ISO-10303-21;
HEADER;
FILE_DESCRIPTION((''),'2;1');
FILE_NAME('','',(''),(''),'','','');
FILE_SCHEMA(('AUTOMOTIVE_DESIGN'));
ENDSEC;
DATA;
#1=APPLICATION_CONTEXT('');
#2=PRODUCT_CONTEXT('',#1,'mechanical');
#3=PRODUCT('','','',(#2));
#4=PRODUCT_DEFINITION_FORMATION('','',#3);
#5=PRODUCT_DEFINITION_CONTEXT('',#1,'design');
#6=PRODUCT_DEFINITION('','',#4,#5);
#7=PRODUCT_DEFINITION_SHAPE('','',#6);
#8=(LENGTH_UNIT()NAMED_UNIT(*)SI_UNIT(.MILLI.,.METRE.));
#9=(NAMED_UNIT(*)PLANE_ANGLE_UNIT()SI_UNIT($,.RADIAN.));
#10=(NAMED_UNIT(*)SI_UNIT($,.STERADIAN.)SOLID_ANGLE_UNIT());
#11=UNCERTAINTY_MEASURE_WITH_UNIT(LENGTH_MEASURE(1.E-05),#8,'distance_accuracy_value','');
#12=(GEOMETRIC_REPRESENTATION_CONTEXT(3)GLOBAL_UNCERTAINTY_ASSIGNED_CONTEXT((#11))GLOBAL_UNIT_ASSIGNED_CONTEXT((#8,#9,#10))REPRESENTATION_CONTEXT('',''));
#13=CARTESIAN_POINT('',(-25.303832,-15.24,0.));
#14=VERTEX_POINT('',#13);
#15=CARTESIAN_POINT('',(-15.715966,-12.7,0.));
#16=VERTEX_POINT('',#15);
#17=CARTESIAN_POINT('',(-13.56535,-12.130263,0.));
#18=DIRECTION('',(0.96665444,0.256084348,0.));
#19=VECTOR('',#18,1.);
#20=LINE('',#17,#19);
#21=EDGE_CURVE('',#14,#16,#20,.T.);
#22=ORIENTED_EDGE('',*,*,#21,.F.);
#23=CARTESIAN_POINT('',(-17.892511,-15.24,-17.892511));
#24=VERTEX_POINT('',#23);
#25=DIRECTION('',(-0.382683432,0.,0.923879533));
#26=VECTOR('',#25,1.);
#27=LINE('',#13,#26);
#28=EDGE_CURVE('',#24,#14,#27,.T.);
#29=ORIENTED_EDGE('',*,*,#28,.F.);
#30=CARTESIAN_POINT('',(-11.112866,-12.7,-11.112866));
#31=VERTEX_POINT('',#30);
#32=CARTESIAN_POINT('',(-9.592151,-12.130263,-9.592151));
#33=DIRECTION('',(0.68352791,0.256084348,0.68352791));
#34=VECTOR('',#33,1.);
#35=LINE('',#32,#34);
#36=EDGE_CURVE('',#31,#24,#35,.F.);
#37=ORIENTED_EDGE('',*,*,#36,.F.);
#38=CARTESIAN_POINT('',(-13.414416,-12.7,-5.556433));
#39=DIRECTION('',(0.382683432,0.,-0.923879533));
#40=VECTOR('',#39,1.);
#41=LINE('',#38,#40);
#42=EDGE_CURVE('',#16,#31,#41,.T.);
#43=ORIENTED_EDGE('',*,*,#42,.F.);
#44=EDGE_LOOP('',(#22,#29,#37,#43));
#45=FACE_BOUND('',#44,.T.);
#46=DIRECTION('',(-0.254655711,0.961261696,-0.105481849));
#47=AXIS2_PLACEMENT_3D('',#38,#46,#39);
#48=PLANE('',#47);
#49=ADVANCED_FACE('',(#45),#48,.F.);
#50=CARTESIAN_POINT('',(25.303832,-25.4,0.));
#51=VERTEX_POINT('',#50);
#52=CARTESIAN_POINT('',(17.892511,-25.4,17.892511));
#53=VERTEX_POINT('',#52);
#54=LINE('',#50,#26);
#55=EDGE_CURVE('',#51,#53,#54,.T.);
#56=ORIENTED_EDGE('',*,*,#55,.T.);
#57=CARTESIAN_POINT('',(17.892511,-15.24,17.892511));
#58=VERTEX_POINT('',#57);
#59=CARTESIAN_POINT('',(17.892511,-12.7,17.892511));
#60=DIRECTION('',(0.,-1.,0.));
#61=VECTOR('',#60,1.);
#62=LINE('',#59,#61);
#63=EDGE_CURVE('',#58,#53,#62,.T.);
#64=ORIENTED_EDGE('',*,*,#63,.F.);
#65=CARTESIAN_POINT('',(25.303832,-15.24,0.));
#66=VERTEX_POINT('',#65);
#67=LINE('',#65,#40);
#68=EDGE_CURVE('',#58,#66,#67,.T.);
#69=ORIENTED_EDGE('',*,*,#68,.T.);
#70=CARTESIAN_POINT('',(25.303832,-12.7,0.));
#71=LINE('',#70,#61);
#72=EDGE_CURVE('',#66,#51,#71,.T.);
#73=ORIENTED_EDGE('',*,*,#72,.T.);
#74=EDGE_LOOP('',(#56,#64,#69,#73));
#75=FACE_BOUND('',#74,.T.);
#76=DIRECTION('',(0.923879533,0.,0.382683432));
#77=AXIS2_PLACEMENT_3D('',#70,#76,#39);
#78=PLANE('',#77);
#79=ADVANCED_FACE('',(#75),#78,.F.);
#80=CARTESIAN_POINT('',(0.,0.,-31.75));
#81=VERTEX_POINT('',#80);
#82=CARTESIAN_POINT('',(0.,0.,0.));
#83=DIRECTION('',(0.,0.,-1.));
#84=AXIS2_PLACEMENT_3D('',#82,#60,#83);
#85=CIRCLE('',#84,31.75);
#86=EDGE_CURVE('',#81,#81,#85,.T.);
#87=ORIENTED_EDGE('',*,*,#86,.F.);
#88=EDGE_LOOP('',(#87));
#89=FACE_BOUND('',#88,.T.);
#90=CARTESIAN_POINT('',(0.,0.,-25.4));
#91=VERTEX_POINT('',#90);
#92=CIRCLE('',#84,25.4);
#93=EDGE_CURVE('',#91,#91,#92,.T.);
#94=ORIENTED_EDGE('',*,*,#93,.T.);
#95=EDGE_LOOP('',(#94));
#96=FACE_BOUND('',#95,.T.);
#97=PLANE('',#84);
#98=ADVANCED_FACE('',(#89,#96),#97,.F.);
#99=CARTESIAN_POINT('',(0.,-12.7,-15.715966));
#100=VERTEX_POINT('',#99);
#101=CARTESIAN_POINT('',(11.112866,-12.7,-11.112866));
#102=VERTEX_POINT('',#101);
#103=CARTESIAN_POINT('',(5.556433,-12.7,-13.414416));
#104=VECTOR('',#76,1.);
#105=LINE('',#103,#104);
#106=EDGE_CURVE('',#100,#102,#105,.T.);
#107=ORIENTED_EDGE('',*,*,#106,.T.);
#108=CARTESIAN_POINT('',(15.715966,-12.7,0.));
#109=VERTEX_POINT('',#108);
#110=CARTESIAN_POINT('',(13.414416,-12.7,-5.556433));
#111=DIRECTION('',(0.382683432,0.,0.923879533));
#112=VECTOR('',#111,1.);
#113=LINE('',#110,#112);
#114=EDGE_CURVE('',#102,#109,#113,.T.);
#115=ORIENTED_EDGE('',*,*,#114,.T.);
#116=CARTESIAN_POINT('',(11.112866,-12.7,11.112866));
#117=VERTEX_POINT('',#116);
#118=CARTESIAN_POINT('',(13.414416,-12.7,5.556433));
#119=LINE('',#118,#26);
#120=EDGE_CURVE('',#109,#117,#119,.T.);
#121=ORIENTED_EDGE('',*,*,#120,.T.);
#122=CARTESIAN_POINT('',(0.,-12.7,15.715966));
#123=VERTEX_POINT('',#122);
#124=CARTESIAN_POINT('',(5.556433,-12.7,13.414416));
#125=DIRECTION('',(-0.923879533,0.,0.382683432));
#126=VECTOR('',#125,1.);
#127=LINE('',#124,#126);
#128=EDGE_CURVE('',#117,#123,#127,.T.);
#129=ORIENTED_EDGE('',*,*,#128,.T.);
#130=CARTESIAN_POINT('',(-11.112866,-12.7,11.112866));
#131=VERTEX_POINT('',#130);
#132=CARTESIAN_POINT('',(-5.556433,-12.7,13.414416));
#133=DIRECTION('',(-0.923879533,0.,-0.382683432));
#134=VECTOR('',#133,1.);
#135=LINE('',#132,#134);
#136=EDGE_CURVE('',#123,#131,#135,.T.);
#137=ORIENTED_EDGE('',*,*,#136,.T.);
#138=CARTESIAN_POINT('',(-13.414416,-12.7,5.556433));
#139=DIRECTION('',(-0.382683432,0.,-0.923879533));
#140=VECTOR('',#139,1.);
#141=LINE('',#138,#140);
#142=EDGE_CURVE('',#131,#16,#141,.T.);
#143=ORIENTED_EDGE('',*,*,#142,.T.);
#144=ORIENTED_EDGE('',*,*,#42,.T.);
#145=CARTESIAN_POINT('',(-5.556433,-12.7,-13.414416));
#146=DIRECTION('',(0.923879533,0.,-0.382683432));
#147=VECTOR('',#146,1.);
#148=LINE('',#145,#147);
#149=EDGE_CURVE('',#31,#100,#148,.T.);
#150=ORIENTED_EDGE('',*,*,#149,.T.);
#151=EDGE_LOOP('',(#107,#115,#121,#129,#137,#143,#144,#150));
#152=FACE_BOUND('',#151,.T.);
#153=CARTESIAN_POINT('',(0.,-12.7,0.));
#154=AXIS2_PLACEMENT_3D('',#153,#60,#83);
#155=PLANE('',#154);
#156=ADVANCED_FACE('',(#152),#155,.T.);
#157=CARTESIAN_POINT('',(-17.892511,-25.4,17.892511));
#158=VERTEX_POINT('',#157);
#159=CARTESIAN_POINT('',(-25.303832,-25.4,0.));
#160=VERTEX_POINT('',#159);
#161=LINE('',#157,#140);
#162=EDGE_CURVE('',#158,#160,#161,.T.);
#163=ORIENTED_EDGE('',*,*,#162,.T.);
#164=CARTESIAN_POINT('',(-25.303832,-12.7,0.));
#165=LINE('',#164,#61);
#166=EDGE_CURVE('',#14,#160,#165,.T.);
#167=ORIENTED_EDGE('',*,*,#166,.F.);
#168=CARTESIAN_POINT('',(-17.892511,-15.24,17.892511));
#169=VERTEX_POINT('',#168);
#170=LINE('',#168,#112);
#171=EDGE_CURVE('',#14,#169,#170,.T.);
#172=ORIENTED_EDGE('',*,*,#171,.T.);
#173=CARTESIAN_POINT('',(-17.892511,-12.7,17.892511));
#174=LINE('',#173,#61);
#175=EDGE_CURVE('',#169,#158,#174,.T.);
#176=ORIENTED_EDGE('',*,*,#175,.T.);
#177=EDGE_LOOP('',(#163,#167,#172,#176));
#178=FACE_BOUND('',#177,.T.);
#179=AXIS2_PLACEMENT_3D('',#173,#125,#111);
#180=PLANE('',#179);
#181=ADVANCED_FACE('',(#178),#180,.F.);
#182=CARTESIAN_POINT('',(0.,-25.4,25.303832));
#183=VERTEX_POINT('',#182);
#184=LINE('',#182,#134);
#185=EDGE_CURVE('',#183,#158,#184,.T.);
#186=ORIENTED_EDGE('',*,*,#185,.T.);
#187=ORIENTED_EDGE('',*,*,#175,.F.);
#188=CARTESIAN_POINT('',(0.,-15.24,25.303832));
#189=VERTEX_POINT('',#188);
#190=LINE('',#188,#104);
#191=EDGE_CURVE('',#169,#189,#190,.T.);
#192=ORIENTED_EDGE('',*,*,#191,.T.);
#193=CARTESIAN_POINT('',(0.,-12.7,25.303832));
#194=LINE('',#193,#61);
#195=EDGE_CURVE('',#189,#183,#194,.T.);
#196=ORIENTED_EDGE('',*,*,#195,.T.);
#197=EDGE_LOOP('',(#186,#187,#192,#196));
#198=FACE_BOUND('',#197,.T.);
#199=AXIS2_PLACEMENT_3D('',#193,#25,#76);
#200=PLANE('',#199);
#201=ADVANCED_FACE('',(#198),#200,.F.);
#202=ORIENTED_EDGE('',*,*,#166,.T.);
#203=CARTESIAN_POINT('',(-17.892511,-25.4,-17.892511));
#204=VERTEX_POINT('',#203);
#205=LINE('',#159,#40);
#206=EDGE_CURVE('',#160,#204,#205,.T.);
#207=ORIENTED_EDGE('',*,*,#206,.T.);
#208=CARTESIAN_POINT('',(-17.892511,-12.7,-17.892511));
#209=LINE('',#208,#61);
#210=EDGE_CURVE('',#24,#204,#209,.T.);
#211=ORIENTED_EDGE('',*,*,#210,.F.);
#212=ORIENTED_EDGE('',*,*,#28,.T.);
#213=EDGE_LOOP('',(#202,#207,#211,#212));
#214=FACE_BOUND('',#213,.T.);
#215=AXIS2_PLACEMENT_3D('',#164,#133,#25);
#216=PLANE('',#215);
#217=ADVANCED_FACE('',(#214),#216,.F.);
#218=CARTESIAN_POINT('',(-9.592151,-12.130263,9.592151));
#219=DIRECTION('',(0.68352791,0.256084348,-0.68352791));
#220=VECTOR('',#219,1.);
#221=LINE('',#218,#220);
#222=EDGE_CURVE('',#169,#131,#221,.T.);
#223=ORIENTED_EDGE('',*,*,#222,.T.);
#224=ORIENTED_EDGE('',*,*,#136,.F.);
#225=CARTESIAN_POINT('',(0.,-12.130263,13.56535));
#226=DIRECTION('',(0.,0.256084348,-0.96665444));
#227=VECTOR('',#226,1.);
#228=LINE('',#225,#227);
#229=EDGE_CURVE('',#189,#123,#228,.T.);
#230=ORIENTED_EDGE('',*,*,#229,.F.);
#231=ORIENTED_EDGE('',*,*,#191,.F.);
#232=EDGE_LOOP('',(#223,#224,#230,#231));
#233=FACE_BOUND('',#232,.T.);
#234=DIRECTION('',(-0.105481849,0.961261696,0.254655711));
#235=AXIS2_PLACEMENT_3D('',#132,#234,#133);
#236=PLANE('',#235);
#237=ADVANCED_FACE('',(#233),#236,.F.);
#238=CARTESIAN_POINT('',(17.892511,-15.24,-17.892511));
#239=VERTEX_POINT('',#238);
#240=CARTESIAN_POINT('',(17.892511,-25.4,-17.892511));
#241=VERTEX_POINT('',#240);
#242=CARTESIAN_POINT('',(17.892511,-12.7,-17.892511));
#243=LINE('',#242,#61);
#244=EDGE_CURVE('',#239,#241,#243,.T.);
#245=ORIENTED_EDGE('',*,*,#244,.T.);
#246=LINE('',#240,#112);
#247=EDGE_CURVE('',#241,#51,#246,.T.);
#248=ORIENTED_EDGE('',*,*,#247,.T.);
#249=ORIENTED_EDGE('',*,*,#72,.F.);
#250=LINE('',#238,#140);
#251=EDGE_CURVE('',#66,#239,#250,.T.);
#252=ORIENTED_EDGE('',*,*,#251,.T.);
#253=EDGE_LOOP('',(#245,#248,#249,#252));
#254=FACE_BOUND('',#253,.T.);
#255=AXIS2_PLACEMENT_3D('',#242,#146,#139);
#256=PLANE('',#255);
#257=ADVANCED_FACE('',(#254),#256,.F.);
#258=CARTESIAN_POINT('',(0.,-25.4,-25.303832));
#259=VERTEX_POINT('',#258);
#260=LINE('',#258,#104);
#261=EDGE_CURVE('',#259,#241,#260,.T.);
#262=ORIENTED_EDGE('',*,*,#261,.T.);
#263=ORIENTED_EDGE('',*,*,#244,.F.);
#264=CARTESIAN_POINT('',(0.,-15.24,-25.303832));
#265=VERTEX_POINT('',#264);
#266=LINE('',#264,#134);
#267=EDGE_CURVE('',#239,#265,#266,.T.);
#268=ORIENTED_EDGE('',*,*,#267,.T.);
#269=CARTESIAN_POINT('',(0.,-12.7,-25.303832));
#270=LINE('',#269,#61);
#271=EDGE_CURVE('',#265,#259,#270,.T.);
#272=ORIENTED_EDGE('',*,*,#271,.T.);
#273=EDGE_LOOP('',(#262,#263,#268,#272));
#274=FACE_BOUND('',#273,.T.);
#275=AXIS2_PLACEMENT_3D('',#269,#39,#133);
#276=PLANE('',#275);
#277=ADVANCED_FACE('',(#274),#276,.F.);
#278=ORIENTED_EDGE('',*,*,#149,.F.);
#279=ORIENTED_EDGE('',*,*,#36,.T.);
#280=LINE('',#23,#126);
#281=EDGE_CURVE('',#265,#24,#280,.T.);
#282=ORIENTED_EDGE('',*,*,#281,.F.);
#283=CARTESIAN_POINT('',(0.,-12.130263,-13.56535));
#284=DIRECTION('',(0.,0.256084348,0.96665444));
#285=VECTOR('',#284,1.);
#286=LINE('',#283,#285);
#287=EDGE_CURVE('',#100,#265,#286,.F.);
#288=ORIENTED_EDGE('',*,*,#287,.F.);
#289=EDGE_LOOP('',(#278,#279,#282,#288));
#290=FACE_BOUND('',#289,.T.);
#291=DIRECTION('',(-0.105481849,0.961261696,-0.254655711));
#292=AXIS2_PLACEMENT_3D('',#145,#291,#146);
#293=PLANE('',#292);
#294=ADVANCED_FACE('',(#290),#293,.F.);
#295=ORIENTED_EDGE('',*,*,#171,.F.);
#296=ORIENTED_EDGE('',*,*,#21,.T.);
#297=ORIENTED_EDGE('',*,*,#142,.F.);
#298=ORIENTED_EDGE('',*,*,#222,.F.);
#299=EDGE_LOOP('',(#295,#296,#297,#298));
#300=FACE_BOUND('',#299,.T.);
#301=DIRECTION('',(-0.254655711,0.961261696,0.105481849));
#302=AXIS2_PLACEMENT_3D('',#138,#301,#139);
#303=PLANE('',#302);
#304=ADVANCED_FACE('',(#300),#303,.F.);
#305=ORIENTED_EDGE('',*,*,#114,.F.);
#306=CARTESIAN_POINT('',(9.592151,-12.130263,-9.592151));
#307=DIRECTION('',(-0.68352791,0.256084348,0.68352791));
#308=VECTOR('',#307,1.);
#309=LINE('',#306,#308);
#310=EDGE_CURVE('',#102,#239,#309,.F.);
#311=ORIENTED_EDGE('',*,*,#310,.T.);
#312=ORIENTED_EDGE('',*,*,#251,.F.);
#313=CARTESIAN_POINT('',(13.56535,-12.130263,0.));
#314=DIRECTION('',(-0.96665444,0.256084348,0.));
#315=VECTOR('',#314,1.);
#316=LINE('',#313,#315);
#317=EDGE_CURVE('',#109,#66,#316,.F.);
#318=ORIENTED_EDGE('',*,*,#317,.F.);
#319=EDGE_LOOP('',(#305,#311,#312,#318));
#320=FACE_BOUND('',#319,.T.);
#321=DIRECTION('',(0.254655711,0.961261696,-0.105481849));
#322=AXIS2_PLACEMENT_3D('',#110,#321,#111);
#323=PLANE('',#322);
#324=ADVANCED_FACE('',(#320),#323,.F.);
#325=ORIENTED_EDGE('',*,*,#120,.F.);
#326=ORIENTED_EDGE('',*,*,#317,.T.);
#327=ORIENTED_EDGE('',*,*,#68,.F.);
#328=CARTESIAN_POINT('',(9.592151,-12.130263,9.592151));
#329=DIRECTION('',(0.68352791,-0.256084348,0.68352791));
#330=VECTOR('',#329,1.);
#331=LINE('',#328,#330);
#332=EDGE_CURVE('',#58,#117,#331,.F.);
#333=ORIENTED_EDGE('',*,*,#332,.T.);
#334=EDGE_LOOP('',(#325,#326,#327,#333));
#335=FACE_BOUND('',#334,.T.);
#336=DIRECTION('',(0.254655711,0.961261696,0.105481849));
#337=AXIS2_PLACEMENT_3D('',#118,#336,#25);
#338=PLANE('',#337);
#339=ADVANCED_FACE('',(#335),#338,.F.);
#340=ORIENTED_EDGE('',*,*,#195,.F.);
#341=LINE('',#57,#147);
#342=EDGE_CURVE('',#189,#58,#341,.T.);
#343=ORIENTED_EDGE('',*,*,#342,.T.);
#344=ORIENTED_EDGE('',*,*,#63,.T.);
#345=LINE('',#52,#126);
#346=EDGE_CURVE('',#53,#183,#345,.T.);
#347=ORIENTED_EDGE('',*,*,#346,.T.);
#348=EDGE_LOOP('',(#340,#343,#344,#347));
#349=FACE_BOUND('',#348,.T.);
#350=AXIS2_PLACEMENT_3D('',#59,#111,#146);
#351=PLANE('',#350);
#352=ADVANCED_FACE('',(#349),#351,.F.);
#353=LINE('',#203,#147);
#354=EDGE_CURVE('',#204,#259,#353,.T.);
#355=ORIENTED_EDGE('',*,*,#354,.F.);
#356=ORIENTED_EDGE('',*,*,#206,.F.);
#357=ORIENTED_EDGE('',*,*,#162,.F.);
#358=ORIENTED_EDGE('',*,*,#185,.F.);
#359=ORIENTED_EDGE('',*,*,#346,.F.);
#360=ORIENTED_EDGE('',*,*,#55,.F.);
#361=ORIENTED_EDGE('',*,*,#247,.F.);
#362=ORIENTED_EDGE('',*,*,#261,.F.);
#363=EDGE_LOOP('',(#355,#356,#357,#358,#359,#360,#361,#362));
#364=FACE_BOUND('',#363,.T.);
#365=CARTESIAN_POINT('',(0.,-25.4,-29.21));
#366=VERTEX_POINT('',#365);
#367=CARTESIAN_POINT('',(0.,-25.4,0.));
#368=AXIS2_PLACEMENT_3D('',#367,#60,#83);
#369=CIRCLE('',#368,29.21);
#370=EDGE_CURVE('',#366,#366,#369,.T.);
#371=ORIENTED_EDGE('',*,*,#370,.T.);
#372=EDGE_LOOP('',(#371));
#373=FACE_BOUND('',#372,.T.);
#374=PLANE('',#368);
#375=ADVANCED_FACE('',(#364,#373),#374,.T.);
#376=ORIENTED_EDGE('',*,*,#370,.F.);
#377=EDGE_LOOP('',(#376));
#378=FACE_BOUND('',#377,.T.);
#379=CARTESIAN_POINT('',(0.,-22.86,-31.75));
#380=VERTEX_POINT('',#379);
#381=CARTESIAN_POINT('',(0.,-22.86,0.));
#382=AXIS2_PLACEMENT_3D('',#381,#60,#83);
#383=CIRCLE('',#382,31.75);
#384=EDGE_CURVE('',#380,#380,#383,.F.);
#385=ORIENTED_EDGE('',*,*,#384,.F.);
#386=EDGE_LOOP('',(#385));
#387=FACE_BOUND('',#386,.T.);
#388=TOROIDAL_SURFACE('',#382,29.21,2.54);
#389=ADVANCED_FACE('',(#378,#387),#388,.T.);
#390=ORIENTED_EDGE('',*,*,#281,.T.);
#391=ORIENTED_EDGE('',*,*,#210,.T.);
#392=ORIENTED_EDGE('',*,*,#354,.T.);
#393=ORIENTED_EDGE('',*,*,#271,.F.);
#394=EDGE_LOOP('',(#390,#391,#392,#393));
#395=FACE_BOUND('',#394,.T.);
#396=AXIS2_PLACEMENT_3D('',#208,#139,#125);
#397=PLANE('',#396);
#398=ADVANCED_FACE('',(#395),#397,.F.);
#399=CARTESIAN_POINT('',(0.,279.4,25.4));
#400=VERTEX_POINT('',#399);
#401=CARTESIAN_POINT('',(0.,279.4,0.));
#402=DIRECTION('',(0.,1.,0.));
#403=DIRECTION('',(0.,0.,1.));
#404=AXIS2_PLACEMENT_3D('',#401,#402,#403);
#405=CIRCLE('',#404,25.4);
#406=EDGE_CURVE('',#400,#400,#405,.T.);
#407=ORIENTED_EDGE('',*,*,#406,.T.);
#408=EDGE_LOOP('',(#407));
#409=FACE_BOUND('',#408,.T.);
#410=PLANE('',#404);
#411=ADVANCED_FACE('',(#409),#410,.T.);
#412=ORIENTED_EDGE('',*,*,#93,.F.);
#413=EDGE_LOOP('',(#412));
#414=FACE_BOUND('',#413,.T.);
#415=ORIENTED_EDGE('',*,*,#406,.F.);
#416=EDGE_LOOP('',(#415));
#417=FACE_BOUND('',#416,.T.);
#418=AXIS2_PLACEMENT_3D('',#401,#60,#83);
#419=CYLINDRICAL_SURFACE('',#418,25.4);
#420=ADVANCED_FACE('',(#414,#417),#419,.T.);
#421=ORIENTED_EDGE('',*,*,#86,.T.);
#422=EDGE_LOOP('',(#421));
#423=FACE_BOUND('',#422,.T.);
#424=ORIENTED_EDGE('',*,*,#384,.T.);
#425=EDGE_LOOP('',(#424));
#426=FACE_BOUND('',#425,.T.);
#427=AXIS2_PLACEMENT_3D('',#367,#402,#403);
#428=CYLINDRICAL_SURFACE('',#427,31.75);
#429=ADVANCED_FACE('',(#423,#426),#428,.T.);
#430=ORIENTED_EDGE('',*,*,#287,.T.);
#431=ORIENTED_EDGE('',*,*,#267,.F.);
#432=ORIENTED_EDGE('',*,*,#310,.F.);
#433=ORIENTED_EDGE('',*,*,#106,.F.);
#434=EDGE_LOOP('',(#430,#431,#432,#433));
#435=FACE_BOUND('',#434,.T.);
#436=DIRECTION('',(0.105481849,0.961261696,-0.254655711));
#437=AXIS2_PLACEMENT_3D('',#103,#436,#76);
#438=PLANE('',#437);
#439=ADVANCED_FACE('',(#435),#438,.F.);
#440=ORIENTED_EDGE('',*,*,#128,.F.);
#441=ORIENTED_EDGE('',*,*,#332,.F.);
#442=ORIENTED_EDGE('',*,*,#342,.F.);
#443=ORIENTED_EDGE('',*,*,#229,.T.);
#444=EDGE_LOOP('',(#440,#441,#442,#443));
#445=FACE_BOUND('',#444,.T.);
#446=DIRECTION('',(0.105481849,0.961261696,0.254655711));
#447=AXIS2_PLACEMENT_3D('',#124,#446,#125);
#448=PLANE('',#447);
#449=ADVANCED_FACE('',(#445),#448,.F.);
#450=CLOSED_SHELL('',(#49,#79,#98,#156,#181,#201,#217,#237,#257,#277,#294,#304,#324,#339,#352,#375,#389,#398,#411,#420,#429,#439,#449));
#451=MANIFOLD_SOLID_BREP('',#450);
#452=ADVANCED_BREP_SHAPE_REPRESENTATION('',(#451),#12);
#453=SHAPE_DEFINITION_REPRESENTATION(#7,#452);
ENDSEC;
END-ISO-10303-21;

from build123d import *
from OCP.BRepFilletAPI import BRepFilletAPI_MakeChamfer

# Parameters (mm, degrees)
SKETCH1_R           = 25.4
BOSS_EXTRUDE1_DEPTH = 279.4
SKETCH2_R           = 31.75
BOSS_EXTRUDE2_DEPTH = 25.4
CUT_EXTRUDE1_DEPTH  = 12.7
FILLET1_R           = 2.54
CHAMFER1_SIZE       = 2.54
CHAMFER1_SIZE2      = 8.858032687


with BuildPart() as part:
    # Sketch1 → Boss-Extrude1 (new body)
    with BuildSketch(Plane(origin=(0, 0, 0), x_dir=(1, 0, 0), z_dir=(0, 1, 0))):
        with Locations(Location((0, 0, 0), (0, 0, 270))):
            Circle(SKETCH1_R)
    extrude(amount=BOSS_EXTRUDE1_DEPTH)

    # Sketch2 → Boss-Extrude2 (add)
    with BuildSketch(Plane.XZ):
        with Locations(Location((0, 0, 0), (0, 0, 270))):
            Circle(SKETCH2_R)
    extrude(amount=BOSS_EXTRUDE2_DEPTH)

    # Sketch3 → Cut-Extrude1 (cut)
    with BuildSketch(Plane.XZ.offset(25.4)):
        Polygon((25.303831814, 0), (17.892511066, 17.892511066), (0, 25.303831814), (-17.892511066, 17.892511066), (-25.303831814, 0), (-17.892511066, -17.892511066), (0, -25.303831814), (17.892511066, -17.892511066), align=None)
    extrude(amount=-CUT_EXTRUDE1_DEPTH, mode=Mode.SUBTRACT)

    # Fillet1
    fillet1_edges = [part.edges().sort_by_distance(p)[0] for p in [
        (0, -25.4, 31.75),
    ]]
    fillet(fillet1_edges, radius=FILLET1_R)

    # Chamfer1: one chamfer whose edges measure the first distance from different faces: ONE call of the kernel's chamfer builder (chamfer() names one face for all edges)
    chamfer1_edges_1 = [part.edges().sort_by_distance(p)[0] for p in [
        (8.946255533, -12.7, 21.59817144),
    ]]
    chamfer1_side_1 = [part.faces().sort_by_distance(p)[0] for p in [
        (8.946255533, -19.05, 21.59817144),
    ]]
    chamfer1_edges_2 = [part.edges().sort_by_distance(p)[0] for p in [
        (21.59817144, -12.7, 8.946255533),
    ]]
    chamfer1_side_2 = [part.faces().sort_by_distance(p)[0] for p in [
        (21.59817144, -19.05, 8.946255533),
    ]]
    chamfer1_edges_3 = [part.edges().sort_by_distance(p)[0] for p in [
        (21.59817144, -12.7, -8.946255533),
    ]]
    chamfer1_side_3 = [part.faces().sort_by_distance(p)[0] for p in [
        (21.59817144, -19.05, -8.946255533),
    ]]
    chamfer1_edges_4 = [part.edges().sort_by_distance(p)[0] for p in [
        (8.946255533, -12.7, -21.59817144),
    ]]
    chamfer1_side_4 = [part.faces().sort_by_distance(p)[0] for p in [
        (8.946255533, -19.05, -21.59817144),
    ]]
    chamfer1_edges_5 = [part.edges().sort_by_distance(p)[0] for p in [
        (-8.946255533, -12.7, -21.59817144),
    ]]
    chamfer1_side_5 = [part.faces().sort_by_distance(p)[0] for p in [
        (-8.946255533, -19.05, -21.59817144),
    ]]
    chamfer1_edges_6 = [part.edges().sort_by_distance(p)[0] for p in [
        (-21.59817144, -12.7, -8.946255533),
    ]]
    chamfer1_side_6 = [part.faces().sort_by_distance(p)[0] for p in [
        (-21.59817144, -19.05, -8.946255533),
    ]]
    chamfer1_edges_7 = [part.edges().sort_by_distance(p)[0] for p in [
        (-21.59817144, -12.7, 8.946255533),
    ]]
    chamfer1_side_7 = [part.faces().sort_by_distance(p)[0] for p in [
        (-21.59817144, -19.05, 8.946255533),
    ]]
    chamfer1_edges_8 = [part.edges().sort_by_distance(p)[0] for p in [
        (-8.946255533, -12.7, 21.59817144),
    ]]
    chamfer1_side_8 = [part.faces().sort_by_distance(p)[0] for p in [
        (-8.946255533, -19.05, 21.59817144),
    ]]
    chamfer1 = BRepFilletAPI_MakeChamfer(part.part.solid().wrapped)
    for e in chamfer1_edges_1:
        chamfer1.Add(CHAMFER1_SIZE, CHAMFER1_SIZE2, e.wrapped, chamfer1_side_1[0].wrapped)  # the first distance lies on this face
    for e in chamfer1_edges_2:
        chamfer1.Add(CHAMFER1_SIZE, CHAMFER1_SIZE2, e.wrapped, chamfer1_side_2[0].wrapped)  # the first distance lies on this face
    for e in chamfer1_edges_3:
        chamfer1.Add(CHAMFER1_SIZE, CHAMFER1_SIZE2, e.wrapped, chamfer1_side_3[0].wrapped)  # the first distance lies on this face
    for e in chamfer1_edges_4:
        chamfer1.Add(CHAMFER1_SIZE, CHAMFER1_SIZE2, e.wrapped, chamfer1_side_4[0].wrapped)  # the first distance lies on this face
    for e in chamfer1_edges_5:
        chamfer1.Add(CHAMFER1_SIZE, CHAMFER1_SIZE2, e.wrapped, chamfer1_side_5[0].wrapped)  # the first distance lies on this face
    for e in chamfer1_edges_6:
        chamfer1.Add(CHAMFER1_SIZE, CHAMFER1_SIZE2, e.wrapped, chamfer1_side_6[0].wrapped)  # the first distance lies on this face
    for e in chamfer1_edges_7:
        chamfer1.Add(CHAMFER1_SIZE, CHAMFER1_SIZE2, e.wrapped, chamfer1_side_7[0].wrapped)  # the first distance lies on this face
    for e in chamfer1_edges_8:
        chamfer1.Add(CHAMFER1_SIZE, CHAMFER1_SIZE2, e.wrapped, chamfer1_side_8[0].wrapped)  # the first distance lies on this face
    add(Compound.cast(chamfer1.Shape()), mode=Mode.REPLACE)


solid = part.part
